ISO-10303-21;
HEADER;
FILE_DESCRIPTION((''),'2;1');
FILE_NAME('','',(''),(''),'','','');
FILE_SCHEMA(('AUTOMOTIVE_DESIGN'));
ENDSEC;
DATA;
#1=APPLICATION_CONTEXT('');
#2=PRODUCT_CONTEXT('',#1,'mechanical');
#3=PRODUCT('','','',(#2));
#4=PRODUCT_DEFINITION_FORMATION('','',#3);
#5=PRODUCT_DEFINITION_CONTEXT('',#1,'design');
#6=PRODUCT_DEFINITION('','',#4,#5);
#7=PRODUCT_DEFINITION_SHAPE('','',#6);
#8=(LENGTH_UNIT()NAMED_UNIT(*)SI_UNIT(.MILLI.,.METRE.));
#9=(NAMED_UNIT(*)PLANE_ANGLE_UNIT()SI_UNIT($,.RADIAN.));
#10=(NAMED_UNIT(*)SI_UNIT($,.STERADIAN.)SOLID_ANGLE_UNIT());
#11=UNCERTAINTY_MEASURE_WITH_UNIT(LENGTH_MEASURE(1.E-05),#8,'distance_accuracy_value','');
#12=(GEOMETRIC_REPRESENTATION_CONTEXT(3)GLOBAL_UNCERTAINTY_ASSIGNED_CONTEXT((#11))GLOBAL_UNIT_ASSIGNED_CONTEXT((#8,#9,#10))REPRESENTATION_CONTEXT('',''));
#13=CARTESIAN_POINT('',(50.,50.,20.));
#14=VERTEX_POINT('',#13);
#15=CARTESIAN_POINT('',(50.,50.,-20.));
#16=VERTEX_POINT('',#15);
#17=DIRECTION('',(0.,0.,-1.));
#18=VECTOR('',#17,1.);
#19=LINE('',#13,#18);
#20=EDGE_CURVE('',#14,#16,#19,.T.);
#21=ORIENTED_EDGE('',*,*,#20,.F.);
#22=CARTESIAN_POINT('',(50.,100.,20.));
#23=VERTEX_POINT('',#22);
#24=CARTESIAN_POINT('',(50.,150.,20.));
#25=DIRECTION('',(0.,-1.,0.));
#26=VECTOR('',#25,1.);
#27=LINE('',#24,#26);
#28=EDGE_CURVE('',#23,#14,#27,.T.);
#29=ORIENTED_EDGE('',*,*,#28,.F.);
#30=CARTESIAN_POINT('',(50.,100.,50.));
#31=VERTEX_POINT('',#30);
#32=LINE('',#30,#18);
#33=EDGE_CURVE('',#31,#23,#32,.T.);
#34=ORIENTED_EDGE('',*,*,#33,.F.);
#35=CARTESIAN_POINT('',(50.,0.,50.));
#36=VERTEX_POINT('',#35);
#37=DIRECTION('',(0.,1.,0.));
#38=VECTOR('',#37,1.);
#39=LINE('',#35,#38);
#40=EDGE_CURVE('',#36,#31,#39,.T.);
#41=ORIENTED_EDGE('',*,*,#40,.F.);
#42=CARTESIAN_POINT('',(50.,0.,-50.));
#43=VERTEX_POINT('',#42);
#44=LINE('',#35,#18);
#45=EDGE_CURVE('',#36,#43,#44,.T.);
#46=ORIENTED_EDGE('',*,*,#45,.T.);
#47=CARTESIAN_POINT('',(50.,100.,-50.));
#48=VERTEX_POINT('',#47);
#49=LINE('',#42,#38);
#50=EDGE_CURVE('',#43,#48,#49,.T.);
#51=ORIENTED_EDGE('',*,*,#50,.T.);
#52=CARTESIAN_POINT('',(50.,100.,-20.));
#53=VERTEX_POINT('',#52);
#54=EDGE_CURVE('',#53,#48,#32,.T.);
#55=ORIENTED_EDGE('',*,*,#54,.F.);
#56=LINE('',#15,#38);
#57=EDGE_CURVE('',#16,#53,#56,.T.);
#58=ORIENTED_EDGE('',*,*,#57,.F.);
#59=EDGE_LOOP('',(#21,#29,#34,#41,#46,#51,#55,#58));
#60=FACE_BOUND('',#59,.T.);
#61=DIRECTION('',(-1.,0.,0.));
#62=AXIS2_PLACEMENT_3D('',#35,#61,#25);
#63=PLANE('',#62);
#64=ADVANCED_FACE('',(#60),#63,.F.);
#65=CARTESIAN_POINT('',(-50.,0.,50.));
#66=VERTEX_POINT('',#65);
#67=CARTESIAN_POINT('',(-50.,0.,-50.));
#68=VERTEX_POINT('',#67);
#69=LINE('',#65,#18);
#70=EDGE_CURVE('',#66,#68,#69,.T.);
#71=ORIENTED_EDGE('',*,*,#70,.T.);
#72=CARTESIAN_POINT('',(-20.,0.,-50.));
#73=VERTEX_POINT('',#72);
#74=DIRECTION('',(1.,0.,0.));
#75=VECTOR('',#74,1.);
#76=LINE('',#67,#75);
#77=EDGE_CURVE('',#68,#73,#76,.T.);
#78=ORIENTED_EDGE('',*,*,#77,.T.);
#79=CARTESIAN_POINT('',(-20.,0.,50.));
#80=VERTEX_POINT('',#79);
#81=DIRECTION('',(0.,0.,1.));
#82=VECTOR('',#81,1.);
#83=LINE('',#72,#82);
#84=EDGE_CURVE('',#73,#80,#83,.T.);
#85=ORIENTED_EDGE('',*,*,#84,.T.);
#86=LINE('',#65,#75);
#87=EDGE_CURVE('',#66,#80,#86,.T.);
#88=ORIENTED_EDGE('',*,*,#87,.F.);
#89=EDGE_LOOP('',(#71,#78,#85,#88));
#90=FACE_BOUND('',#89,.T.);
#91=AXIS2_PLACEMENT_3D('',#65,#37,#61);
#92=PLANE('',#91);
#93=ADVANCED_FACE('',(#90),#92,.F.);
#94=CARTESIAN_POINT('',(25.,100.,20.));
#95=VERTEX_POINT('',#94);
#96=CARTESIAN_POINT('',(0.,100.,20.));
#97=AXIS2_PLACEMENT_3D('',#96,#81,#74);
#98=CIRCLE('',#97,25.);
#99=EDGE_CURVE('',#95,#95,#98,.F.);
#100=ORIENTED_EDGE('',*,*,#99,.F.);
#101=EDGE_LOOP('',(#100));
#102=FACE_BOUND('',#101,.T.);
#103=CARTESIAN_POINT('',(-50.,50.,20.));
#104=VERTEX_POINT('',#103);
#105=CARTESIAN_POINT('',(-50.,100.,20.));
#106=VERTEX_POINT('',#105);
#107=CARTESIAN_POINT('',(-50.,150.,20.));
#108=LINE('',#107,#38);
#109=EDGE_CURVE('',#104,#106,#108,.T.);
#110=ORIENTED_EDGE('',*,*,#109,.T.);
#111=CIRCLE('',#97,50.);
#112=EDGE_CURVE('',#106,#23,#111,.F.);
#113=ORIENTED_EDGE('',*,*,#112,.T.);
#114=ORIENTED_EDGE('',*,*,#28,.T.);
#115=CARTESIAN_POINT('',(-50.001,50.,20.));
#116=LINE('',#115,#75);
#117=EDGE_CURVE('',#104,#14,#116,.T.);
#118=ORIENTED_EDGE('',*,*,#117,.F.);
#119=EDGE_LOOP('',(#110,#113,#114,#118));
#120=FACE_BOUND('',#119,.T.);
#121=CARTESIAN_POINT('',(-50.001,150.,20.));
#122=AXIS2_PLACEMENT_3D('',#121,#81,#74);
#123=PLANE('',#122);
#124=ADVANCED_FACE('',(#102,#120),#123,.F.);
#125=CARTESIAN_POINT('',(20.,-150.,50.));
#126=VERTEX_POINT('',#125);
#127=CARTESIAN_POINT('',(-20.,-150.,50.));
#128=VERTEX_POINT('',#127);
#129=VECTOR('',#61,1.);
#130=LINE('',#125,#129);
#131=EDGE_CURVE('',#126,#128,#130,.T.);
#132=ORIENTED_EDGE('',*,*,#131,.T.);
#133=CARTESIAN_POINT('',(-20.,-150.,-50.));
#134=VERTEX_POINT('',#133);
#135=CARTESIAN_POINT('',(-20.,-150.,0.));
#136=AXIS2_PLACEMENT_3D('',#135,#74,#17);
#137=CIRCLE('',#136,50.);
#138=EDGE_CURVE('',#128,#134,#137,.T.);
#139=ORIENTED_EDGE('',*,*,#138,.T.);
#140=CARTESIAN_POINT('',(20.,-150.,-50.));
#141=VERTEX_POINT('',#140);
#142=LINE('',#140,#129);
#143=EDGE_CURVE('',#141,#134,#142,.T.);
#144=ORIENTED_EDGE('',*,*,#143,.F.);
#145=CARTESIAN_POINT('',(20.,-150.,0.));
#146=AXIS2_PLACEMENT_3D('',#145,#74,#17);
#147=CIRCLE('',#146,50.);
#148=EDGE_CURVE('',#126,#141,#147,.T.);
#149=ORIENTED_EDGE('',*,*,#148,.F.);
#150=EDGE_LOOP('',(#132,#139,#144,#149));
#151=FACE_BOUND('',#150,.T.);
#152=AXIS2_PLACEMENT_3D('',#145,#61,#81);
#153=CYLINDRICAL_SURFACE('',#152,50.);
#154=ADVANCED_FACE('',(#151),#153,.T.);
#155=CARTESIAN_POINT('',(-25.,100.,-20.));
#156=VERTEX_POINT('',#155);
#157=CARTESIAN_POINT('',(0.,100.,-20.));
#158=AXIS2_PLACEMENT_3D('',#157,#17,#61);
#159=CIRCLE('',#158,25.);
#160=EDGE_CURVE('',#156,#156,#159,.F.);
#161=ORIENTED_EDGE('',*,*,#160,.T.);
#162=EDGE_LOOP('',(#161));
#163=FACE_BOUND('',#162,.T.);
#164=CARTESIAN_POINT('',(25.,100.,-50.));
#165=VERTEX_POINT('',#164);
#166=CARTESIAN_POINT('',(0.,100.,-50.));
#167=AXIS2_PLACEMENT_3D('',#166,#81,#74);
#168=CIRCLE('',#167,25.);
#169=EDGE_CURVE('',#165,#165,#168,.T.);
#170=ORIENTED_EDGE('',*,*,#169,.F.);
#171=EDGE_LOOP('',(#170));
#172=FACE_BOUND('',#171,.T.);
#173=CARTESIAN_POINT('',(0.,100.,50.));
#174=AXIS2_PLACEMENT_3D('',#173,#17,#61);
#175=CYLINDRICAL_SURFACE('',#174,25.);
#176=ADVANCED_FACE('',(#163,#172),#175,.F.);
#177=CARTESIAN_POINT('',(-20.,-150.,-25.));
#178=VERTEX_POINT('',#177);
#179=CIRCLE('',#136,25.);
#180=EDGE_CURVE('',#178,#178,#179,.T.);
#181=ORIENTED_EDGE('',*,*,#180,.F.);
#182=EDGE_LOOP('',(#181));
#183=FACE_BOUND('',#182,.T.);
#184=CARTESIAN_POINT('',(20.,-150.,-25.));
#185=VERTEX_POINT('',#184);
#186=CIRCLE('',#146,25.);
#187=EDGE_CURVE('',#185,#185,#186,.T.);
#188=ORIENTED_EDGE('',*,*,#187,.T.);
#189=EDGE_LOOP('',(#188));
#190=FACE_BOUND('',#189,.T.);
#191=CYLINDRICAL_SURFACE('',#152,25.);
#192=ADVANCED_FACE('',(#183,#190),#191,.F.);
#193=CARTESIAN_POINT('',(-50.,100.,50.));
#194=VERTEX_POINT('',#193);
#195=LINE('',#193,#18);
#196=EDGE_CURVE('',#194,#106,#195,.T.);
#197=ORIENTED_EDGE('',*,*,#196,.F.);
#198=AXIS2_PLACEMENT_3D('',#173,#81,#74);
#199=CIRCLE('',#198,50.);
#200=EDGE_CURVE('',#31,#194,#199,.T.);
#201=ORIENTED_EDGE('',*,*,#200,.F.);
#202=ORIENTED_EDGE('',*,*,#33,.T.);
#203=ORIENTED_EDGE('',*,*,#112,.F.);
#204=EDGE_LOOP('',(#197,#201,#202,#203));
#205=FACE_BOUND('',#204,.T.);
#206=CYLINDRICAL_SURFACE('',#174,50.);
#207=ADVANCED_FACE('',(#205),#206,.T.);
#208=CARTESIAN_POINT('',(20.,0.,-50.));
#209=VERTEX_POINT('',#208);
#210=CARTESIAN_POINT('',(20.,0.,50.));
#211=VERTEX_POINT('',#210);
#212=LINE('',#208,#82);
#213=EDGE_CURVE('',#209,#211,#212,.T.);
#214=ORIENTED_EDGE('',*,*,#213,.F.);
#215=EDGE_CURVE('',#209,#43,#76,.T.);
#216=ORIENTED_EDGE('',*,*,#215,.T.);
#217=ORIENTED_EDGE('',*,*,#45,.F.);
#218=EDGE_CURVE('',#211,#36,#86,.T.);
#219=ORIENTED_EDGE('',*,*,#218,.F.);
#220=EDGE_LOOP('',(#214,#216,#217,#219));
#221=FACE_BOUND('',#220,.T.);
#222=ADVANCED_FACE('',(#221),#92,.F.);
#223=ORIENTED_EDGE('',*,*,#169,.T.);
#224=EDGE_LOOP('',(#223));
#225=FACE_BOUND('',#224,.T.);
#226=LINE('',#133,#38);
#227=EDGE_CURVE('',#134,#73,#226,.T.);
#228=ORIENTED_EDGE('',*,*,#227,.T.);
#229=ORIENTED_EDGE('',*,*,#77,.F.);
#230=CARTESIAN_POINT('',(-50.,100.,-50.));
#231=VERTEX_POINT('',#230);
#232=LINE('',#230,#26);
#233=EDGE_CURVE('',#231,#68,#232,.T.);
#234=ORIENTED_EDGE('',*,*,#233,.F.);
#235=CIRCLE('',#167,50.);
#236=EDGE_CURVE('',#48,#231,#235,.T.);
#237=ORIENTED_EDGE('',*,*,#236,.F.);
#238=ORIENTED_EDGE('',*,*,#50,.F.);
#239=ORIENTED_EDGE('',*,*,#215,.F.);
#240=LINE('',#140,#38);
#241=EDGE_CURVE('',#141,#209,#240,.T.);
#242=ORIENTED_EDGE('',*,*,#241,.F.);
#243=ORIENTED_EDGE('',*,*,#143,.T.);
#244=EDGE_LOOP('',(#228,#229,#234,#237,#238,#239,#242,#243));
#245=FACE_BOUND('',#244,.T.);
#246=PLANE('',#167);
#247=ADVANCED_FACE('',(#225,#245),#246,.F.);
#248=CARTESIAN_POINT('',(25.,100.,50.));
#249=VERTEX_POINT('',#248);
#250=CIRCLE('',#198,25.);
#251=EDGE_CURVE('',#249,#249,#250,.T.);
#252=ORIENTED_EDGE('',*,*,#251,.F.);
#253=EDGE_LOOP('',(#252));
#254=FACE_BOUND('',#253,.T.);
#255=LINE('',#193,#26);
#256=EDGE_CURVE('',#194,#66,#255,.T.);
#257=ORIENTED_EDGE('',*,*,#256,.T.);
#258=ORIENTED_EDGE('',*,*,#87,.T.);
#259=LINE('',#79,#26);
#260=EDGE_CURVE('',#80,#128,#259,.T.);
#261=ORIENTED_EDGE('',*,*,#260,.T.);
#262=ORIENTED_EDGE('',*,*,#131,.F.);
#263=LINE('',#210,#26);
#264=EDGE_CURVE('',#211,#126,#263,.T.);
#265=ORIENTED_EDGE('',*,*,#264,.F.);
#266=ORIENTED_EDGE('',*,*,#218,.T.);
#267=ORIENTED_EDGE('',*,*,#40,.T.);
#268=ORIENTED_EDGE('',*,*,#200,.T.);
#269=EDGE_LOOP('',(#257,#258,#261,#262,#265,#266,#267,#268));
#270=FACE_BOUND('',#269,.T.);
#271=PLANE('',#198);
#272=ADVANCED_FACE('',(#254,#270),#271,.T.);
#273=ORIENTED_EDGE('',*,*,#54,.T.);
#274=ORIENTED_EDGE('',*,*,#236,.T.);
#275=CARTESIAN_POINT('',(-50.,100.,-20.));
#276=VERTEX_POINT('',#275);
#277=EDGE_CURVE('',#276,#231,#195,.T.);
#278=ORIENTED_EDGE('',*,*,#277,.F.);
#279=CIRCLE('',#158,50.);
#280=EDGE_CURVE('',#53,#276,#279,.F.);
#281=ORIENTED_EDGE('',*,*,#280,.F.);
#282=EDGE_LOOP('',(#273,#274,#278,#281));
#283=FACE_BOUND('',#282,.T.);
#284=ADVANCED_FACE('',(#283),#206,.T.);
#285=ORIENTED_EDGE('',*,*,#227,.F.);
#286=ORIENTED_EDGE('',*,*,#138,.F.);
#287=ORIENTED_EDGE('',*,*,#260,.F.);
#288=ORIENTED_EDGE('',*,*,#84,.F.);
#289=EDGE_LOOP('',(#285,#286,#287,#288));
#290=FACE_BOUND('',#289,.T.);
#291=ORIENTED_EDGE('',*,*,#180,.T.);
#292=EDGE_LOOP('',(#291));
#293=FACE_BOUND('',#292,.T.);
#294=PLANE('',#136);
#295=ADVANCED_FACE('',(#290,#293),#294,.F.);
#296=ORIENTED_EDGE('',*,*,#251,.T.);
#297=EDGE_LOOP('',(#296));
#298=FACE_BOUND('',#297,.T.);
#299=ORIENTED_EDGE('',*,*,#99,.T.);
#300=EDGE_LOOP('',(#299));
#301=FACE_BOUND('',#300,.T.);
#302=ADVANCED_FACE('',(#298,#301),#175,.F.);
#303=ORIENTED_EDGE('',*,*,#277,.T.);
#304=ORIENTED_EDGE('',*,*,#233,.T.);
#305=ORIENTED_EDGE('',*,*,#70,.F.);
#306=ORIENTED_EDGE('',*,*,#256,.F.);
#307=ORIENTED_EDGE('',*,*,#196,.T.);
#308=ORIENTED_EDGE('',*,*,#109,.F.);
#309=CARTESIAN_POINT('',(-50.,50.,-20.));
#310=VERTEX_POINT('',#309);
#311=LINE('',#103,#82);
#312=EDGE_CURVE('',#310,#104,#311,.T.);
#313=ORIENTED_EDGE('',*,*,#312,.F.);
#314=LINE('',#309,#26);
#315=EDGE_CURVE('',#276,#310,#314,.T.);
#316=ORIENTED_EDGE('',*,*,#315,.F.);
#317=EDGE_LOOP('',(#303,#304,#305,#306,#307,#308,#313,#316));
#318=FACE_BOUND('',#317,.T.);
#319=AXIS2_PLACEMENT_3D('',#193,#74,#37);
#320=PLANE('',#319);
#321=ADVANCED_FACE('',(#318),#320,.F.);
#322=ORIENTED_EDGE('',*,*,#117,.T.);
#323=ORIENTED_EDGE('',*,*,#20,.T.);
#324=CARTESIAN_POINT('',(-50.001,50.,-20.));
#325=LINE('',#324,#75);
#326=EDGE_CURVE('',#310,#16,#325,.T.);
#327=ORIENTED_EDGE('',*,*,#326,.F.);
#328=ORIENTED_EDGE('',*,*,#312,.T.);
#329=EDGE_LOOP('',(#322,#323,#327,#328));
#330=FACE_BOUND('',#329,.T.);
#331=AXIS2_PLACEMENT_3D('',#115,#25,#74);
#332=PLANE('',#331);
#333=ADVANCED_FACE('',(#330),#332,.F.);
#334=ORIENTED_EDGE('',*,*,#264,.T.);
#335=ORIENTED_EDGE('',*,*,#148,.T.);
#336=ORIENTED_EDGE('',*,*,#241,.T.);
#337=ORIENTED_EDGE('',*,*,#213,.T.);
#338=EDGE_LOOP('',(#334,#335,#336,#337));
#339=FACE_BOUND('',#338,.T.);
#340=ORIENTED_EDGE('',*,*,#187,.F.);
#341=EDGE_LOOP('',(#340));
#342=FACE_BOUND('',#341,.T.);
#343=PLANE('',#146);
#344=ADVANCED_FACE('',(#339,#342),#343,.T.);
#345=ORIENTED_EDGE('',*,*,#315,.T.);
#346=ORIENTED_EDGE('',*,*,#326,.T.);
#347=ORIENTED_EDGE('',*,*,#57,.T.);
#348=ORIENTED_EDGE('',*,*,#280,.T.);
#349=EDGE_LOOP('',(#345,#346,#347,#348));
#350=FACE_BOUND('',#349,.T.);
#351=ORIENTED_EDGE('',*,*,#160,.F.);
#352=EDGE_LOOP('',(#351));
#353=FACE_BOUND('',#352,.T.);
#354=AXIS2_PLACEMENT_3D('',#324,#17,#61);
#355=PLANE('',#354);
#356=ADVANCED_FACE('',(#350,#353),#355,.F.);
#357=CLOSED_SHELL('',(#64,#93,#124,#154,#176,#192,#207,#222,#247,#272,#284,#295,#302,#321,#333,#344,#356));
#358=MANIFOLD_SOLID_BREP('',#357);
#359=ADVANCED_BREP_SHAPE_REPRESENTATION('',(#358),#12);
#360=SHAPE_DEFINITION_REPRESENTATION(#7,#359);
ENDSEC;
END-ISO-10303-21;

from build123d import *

# Parameters (mm, degrees)
CROQUIS1_R              = 25
SALIENTE_EXTRUIR1_DEPTH = 50
CORTAR_EXTRUIR1_REACH   = 102
CROQUIS2_W              = 40
CROQUIS2_H              = 100
CROQUIS3_R              = 25
SALIENTE_EXTRUIR2_DEPTH = 20


with BuildPart() as part:
    # Croquis1 → Saliente-Extruir1 (new body, symmetric)
    with BuildSketch(Plane.XY):
        with BuildLine():
            Line((-50, 0), (50, 0))
            Line((50, 0), (50, 100))
            ThreePointArc((50, 100), (0, 150), (-50, 100))
            Line((-50, 100), (-50, 0))
        make_face()
        with Locations((0, 100)):
            Circle(CROQUIS1_R, mode=Mode.SUBTRACT)
    extrude(amount=SALIENTE_EXTRUIR1_DEPTH, both=True)

    # Croquis2 → Cortar-Extruir1 (cut, up to next)
    with BuildSketch(Plane(origin=(50, 0, 0), x_dir=(0, 0, -1), z_dir=(1, 0, 0)), mode=Mode.PRIVATE) as cortar_extruir1_sk1:
        with Locations((0, 100)):
            Rectangle(CROQUIS2_W, CROQUIS2_H)
    cortar_extruir1_tool1 = extrude(cortar_extruir1_sk1.sketch, amount=-CORTAR_EXTRUIR1_REACH, mode=Mode.PRIVATE) & part.part
    add(cortar_extruir1_tool1.solids().sort_by_distance((50, 100, 0))[0], mode=Mode.SUBTRACT)

    # Croquis3 → Saliente-Extruir2 (add, symmetric)
    with BuildSketch(Plane(origin=(0, 0, 0), x_dir=(0, 0, -1), z_dir=(1, 0, 0))):
        with BuildLine():
            Line((-50, 0), (-50, -150))
            ThreePointArc((-50, -150), (0, -200), (50, -150))
            Line((50, -150), (50, 0))
            Line((50, 0), (-50, 0))
        make_face()
        with Locations((0, -150)):
            Circle(CROQUIS3_R, mode=Mode.SUBTRACT)
    extrude(amount=SALIENTE_EXTRUIR2_DEPTH, both=True)


solid = part.part
